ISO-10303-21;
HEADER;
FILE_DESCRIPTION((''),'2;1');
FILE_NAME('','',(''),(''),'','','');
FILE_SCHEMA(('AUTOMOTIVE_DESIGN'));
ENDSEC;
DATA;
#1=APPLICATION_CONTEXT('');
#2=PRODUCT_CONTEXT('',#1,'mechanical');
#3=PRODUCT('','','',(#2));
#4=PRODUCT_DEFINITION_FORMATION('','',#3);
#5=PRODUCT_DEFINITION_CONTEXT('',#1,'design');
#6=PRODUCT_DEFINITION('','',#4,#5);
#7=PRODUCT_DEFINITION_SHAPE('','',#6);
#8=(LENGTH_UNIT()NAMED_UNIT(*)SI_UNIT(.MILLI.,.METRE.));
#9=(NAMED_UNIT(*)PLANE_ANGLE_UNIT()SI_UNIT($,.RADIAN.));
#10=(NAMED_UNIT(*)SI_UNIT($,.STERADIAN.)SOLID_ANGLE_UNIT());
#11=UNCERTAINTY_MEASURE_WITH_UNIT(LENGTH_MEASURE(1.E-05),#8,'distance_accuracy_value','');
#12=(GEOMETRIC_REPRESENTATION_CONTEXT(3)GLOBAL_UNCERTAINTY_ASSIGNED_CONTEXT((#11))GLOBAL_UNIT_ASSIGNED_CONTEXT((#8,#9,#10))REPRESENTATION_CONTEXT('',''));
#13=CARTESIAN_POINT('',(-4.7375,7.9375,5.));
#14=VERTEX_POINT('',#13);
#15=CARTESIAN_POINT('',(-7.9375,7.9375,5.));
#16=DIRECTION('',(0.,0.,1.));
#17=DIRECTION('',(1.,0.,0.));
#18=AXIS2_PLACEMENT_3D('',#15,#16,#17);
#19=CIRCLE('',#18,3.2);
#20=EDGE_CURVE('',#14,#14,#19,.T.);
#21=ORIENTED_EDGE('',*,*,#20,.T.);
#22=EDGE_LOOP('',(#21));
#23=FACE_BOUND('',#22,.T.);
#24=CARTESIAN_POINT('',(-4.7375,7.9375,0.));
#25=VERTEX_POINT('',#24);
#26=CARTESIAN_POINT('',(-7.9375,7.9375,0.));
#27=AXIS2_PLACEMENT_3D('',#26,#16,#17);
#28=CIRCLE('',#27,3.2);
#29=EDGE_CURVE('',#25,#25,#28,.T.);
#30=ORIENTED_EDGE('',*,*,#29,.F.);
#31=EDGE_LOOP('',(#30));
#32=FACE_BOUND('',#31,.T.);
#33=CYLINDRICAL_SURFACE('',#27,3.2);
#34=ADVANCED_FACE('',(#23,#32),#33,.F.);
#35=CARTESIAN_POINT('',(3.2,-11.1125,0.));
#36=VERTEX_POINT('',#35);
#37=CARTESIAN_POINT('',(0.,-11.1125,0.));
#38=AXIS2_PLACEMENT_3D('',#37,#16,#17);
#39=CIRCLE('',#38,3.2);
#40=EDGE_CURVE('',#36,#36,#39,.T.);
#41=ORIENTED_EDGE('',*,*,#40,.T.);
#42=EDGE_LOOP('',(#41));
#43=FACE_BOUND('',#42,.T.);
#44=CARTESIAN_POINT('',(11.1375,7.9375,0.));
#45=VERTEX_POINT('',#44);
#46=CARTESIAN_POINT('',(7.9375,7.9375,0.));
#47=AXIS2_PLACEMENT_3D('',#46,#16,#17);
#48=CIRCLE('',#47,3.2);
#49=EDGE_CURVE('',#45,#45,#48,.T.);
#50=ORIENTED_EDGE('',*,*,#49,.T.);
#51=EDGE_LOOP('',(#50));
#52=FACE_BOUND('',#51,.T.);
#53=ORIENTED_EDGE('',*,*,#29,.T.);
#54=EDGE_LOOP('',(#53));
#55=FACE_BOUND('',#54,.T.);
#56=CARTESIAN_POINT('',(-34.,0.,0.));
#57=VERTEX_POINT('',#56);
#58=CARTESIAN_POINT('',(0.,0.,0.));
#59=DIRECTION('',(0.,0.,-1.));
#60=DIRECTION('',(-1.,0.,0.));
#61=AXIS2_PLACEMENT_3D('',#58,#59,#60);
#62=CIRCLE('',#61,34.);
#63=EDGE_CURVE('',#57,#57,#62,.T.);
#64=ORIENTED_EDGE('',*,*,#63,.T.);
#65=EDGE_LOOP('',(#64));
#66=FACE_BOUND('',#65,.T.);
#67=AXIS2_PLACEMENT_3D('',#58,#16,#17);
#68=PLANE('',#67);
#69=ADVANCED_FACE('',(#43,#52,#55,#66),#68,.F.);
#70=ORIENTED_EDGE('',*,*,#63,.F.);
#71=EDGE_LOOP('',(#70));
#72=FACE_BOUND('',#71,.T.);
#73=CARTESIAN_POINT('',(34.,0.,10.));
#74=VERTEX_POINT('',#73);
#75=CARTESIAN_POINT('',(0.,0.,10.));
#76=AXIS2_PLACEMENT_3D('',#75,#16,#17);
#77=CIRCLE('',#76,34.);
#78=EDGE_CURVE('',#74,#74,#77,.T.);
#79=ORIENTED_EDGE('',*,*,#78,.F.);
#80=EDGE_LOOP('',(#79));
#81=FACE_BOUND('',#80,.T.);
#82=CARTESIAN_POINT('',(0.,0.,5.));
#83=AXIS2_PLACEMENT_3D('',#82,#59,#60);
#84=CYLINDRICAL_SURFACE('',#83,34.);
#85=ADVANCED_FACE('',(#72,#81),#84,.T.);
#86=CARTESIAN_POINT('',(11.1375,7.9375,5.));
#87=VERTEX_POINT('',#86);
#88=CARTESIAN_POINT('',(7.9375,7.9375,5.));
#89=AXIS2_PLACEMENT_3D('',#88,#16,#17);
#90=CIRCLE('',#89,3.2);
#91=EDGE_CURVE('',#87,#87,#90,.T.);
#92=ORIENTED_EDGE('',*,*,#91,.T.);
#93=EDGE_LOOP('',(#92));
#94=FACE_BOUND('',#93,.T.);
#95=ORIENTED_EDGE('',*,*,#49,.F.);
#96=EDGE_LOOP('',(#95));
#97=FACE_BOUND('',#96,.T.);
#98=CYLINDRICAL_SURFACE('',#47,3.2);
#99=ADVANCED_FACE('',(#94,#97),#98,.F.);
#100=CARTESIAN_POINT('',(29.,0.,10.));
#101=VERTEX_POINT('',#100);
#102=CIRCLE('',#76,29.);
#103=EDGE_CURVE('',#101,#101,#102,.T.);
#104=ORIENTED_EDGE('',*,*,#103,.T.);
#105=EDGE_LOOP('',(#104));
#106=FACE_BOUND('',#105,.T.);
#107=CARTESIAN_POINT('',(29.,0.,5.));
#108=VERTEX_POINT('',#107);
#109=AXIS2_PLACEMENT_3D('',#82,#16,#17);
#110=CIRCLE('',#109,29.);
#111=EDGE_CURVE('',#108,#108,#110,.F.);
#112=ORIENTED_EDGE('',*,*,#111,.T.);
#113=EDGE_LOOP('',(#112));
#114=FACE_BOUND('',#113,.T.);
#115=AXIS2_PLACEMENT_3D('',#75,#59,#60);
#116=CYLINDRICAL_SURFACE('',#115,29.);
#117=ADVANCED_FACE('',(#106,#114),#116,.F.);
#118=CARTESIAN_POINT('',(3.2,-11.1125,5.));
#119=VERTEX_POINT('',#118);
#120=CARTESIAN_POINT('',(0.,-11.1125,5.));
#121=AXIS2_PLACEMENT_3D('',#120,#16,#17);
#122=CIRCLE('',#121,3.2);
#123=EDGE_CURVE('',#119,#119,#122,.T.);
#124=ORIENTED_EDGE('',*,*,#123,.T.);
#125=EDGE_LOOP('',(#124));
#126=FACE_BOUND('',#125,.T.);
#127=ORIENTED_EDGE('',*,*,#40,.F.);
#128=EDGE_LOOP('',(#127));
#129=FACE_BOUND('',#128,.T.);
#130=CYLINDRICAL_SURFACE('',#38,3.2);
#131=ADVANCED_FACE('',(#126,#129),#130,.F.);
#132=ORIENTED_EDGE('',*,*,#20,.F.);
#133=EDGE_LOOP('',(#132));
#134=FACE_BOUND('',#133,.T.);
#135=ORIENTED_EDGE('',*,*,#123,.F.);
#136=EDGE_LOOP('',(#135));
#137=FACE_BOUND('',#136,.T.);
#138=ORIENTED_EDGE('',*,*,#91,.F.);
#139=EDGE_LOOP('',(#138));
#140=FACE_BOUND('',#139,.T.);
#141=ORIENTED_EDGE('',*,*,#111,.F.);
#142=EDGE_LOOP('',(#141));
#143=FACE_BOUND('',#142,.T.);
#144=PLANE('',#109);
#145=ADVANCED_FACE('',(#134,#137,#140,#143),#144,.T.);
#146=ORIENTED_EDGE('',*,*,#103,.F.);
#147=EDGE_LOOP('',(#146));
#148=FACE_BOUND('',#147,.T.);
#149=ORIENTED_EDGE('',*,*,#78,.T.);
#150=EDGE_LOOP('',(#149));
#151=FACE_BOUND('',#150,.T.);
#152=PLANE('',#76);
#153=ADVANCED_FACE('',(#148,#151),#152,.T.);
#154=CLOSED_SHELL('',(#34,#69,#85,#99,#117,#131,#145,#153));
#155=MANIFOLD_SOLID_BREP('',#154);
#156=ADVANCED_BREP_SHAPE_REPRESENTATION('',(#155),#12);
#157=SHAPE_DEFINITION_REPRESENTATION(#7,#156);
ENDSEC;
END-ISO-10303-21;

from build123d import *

# Parameters (mm, degrees)
SKETCH1_R      = 24
EXTRUDE1_DEPTH = 4
SKETCH2_R      = 24
EXTRUDE2_DEPTH = 1
SKETCH3_R      = 3.2
EXTRUDE3_DEPTH = 6
SKETCH4_R      = 34
SKETCH4_R_2    = 24
EXTRUDE4_DEPTH = 5
SKETCH5_R      = 34
SKETCH5_R_2    = 29
EXTRUDE5_DEPTH = 5


with BuildPart() as part:
    # Sketch1 → Extrude1 (new body)
    with BuildSketch(Plane.XY):
        Circle(SKETCH1_R)
    extrude(amount=EXTRUDE1_DEPTH)

    # Sketch2 → Extrude2 (add)
    with BuildSketch(Plane.XY.offset(4)):
        Circle(SKETCH2_R)
    extrude(amount=EXTRUDE2_DEPTH)

    # Sketch3 → Extrude3 (cut, through all)
    with BuildSketch(Plane.XY.offset(5)):
        with Locations((-7.9375, 7.9375)):
            Circle(SKETCH3_R)
        with Locations((7.9375, 7.9375)):
            Circle(SKETCH3_R)
        with Locations((0, -11.1125)):
            Circle(SKETCH3_R)
    extrude(amount=-EXTRUDE3_DEPTH, mode=Mode.SUBTRACT)

    # Sketch4 → Extrude4 (add)
    with BuildSketch(Plane(origin=(0, 0, 0), x_dir=(-1, 0, 0), z_dir=(0, 0, -1))):
        Circle(SKETCH4_R)
        Circle(SKETCH4_R_2, mode=Mode.SUBTRACT)
    extrude(amount=-EXTRUDE4_DEPTH)

    # Sketch5 → Extrude5 (add)
    with BuildSketch(Plane.XY.offset(5)):
        Circle(SKETCH5_R)
        Circle(SKETCH5_R_2, mode=Mode.SUBTRACT)
    extrude(amount=EXTRUDE5_DEPTH)


solid = part.part
